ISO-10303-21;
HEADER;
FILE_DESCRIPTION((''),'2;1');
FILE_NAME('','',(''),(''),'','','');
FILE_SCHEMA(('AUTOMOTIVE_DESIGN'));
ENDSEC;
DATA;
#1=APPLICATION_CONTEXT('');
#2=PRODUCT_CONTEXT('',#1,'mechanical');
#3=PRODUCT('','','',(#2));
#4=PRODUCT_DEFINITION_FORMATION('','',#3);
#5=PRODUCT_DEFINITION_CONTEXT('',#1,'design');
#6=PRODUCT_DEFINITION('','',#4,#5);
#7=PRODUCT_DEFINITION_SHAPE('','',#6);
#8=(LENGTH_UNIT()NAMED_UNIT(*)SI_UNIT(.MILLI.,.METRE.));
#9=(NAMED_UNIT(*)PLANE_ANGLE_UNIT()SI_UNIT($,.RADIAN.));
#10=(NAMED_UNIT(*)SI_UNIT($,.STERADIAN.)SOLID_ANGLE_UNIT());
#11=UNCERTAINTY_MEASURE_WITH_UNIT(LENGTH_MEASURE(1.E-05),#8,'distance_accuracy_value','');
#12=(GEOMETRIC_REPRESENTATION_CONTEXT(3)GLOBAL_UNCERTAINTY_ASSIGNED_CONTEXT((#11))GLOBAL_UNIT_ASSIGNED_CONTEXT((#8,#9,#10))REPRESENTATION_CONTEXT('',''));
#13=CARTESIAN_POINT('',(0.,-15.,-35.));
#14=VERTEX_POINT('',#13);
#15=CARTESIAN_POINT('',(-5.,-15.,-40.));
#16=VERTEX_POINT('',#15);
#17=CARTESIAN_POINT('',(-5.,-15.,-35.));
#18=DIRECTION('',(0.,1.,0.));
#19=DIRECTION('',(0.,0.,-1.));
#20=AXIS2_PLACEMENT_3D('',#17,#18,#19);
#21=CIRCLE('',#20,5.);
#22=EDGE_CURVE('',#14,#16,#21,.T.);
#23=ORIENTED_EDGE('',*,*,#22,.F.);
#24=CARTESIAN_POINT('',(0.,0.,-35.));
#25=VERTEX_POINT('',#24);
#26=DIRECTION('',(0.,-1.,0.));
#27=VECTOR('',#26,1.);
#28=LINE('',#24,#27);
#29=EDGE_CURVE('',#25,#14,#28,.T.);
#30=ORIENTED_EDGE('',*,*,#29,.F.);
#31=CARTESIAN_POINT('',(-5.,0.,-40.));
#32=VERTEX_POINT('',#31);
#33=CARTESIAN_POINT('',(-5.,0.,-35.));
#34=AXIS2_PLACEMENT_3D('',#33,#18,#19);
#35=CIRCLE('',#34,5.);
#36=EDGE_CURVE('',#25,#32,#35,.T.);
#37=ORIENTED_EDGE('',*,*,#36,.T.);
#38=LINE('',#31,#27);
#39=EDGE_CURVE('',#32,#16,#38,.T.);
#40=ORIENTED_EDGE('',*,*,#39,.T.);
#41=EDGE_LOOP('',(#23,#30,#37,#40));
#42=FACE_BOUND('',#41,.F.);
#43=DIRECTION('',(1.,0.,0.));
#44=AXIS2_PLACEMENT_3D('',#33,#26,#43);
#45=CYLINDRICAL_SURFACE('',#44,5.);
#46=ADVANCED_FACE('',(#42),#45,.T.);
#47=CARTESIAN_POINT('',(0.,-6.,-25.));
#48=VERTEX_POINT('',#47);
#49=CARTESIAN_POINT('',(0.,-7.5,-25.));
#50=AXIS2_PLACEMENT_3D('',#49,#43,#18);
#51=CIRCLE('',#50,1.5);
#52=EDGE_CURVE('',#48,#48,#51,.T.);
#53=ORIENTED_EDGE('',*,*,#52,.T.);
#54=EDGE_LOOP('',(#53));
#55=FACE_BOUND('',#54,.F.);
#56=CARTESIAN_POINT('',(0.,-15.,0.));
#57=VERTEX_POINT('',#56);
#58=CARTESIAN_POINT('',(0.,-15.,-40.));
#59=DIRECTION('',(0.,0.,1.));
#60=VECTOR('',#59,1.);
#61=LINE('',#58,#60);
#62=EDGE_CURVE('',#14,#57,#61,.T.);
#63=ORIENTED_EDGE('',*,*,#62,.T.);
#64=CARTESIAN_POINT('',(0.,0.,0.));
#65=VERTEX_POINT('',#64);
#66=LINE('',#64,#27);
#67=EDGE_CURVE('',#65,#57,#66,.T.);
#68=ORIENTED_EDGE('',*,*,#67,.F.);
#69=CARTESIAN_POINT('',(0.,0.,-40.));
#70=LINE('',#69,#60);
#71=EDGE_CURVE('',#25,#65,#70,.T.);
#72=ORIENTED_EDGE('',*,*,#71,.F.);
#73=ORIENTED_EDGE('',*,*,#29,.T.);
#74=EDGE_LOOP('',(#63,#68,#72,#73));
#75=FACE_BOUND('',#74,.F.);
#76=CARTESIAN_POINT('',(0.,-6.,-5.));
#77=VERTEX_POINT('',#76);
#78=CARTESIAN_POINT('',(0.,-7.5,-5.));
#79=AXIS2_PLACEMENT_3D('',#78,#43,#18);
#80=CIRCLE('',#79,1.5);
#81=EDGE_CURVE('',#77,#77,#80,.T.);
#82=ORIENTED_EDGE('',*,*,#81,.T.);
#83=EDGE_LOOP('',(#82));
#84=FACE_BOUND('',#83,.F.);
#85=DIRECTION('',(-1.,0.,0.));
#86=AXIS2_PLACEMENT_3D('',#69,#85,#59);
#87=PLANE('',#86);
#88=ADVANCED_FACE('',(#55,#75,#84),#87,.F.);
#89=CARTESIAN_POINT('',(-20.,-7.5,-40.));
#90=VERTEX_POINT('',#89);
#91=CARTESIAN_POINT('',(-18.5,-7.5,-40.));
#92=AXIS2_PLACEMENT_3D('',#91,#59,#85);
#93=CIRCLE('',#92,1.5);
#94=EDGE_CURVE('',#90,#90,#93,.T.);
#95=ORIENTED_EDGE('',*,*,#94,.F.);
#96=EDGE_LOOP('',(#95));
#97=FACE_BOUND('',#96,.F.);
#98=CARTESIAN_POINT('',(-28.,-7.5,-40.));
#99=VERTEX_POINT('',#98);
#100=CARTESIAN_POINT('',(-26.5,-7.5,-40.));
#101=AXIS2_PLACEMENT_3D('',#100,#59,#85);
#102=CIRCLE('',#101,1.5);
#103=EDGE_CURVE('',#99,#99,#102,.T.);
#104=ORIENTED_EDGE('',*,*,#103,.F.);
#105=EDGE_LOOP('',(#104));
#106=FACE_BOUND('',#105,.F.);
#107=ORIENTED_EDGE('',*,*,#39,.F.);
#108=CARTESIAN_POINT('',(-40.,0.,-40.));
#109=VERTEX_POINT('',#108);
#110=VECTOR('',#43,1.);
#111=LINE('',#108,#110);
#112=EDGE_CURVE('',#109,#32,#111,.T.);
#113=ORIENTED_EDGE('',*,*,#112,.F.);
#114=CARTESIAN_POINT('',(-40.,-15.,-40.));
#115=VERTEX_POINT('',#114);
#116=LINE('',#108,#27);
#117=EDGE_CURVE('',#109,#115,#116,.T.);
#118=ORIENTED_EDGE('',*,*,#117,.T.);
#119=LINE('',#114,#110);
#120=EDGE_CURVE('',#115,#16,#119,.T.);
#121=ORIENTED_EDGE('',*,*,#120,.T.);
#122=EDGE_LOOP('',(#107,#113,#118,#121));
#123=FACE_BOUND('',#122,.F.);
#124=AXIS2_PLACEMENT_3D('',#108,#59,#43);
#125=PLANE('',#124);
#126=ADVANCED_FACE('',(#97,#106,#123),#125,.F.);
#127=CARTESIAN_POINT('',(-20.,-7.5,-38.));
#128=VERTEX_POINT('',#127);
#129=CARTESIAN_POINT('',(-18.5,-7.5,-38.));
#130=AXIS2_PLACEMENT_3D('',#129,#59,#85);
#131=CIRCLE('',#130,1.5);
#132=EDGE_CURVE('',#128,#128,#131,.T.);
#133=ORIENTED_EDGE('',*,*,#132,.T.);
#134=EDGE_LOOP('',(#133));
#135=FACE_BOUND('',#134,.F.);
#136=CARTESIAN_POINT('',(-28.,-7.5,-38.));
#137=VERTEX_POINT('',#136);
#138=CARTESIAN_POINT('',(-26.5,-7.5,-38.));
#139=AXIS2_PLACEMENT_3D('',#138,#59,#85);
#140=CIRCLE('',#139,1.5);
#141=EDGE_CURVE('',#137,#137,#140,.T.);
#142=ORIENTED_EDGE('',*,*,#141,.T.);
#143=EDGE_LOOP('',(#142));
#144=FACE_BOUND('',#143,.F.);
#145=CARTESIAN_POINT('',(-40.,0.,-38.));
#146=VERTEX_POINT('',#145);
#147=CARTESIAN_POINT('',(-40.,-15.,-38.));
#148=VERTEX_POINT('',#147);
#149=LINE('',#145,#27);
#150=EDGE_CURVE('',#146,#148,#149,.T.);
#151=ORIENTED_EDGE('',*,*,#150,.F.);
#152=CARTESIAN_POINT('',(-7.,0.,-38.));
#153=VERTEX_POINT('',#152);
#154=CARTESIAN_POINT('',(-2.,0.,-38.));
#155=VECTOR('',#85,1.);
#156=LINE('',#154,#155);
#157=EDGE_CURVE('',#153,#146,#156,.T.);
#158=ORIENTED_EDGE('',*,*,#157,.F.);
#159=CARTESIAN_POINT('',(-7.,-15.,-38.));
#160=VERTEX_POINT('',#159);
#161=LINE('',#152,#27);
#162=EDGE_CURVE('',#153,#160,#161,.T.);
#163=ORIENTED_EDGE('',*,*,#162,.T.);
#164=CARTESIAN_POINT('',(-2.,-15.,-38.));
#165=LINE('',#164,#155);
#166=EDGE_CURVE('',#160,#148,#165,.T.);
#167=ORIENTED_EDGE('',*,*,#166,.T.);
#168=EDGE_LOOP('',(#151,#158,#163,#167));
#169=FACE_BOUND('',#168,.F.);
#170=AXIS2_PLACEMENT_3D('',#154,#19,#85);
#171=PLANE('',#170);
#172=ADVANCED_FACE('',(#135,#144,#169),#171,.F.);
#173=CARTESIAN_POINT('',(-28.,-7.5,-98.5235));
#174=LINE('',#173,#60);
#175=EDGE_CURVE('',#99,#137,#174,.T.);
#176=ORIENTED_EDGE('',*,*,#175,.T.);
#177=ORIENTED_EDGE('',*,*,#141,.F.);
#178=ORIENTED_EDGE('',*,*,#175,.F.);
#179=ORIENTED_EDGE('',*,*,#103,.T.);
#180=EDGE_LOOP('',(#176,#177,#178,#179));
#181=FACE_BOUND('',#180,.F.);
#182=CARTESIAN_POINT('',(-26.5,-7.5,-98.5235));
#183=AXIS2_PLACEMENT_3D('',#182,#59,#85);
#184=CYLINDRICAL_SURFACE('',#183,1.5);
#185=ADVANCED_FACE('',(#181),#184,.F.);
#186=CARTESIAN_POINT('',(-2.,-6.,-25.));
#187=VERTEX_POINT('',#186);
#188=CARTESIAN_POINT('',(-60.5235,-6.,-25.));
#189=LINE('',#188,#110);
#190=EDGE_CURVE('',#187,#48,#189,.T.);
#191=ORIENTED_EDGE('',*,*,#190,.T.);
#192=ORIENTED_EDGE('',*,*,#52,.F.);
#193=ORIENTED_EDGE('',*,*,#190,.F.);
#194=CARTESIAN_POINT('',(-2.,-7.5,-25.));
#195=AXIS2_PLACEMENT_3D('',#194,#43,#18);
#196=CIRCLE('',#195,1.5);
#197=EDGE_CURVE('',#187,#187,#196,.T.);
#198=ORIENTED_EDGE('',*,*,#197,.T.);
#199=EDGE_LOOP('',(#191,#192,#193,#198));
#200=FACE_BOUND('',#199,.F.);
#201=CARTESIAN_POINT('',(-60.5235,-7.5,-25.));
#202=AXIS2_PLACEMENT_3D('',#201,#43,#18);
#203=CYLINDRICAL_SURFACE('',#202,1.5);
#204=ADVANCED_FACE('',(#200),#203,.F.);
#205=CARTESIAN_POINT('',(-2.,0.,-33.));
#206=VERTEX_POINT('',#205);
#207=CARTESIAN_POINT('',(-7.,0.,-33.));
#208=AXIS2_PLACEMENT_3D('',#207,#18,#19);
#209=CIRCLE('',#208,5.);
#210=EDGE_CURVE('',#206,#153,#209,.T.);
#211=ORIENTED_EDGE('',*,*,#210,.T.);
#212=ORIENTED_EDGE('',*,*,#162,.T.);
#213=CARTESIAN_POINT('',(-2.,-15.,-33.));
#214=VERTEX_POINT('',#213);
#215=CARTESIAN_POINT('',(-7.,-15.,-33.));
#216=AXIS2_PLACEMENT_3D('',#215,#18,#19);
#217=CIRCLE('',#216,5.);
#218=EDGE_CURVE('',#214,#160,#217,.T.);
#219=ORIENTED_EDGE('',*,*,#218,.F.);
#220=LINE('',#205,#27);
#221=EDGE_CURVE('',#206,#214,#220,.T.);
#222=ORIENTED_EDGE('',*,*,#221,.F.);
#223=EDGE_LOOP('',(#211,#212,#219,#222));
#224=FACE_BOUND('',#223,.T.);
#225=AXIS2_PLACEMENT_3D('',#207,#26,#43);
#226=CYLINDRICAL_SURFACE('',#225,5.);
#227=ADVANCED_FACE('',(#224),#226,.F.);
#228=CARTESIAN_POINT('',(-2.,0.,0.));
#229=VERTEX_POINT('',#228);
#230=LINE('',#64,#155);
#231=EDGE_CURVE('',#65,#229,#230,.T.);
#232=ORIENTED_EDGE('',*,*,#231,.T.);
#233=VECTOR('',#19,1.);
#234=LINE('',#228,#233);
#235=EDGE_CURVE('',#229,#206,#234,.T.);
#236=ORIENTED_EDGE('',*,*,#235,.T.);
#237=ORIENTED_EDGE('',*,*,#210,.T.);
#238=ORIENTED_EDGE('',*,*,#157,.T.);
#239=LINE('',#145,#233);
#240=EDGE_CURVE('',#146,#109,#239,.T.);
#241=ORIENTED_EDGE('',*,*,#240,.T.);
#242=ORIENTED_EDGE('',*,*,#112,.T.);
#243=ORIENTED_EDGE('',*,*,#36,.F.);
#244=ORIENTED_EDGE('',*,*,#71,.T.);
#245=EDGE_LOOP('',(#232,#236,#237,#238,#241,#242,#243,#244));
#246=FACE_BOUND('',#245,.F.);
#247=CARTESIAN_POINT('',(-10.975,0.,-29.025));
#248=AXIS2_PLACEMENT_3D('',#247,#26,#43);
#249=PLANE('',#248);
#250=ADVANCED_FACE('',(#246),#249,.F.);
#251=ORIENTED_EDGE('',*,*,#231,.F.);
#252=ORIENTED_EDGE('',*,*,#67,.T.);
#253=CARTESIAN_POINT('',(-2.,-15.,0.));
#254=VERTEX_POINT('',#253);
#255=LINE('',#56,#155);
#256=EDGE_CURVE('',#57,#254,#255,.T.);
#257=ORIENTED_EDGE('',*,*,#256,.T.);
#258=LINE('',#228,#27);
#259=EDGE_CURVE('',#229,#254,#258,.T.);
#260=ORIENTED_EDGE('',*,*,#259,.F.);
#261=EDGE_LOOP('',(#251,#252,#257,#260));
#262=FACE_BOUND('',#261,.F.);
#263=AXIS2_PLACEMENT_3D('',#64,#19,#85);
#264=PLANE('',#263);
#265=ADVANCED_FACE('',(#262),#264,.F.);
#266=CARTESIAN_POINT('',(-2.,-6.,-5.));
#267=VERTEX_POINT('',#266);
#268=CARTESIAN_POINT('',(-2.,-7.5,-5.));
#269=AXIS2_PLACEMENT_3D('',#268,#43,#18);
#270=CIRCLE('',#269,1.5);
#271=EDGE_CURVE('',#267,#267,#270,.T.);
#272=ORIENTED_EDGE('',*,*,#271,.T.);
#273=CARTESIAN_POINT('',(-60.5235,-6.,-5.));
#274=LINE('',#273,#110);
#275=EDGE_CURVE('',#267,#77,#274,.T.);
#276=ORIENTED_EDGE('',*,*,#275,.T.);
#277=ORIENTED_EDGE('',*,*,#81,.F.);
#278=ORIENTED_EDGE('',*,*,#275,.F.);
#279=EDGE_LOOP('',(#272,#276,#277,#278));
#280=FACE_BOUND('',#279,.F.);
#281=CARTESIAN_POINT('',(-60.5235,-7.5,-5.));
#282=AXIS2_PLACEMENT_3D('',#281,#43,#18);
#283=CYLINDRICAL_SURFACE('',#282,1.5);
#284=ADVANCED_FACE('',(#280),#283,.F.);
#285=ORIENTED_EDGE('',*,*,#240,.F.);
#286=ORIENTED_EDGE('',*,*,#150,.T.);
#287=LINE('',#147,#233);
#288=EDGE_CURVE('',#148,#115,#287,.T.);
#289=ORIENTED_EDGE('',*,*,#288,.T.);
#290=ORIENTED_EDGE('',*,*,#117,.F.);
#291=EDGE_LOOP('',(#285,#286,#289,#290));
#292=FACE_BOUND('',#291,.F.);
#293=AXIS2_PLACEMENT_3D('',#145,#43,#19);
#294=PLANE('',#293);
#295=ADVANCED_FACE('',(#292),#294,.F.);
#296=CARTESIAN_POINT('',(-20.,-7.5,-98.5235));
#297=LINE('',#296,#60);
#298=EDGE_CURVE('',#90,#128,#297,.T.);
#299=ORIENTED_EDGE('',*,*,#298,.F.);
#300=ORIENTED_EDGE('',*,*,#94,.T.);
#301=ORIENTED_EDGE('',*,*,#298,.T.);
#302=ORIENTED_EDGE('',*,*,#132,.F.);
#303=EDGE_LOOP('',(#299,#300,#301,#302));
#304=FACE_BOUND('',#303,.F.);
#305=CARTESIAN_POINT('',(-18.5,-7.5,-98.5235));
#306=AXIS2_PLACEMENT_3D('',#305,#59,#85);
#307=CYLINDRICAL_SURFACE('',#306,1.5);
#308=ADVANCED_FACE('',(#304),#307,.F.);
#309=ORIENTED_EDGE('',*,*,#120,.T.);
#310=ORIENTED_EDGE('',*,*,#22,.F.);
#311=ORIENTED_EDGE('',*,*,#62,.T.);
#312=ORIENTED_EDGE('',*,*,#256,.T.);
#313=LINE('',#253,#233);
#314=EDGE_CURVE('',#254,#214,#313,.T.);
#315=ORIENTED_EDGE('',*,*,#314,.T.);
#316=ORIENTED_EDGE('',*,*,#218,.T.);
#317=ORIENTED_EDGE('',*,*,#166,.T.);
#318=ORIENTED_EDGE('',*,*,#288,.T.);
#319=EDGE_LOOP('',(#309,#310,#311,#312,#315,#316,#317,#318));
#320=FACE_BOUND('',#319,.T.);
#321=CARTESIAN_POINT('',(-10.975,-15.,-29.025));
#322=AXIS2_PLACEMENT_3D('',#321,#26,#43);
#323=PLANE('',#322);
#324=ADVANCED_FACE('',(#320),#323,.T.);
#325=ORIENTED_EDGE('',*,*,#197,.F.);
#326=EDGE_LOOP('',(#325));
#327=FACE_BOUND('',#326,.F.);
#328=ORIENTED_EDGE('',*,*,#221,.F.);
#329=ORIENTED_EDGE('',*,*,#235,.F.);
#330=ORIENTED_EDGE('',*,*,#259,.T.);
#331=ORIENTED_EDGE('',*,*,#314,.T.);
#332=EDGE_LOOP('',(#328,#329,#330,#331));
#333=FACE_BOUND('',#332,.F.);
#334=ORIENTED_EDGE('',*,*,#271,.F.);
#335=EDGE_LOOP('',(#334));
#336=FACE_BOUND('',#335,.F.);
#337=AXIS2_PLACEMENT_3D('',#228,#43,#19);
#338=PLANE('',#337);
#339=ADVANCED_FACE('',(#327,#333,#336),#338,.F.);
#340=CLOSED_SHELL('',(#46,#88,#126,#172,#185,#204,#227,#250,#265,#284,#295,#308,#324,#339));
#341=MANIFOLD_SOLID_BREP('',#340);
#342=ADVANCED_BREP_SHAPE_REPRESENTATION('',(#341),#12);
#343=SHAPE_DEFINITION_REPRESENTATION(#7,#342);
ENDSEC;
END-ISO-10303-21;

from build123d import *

# Parameters (mm, degrees)
F1_DEPTH = 15
F2_R     = 5
F4_D     = 3
F6_D     = 3


with BuildPart() as f1:
    # F0 (on Front) → F1 (new body)
    with BuildSketch(Plane.XZ):
        Polygon((0, -40), (0, 0), (-2, 0), (-2, -38), (-40, -38), (-40, -40), align=None)
    extrude(amount=F1_DEPTH)

    # F2
    f2_edges = [f1.edges().sort_by_distance(p)[0] for p in [
        (0, -7.5, -40),
        (-2, -7.5, -38),
    ]]
    fillet(f2_edges, radius=F2_R)

    # F4 (through all)
    with Locations(Plane(origin=(-2, 0, 0), x_dir=(0, -1, 0), z_dir=(-1, 0, 0))):
        with Locations((7.5, -5), (7.5, -25)):
            Hole(F4_D / 2)

    # F6 (through all)
    with Locations(Plane(origin=(0, 0, -40), x_dir=(1, 0, 0), z_dir=(0, 0, -1))):
        with Locations((-26.5, 7.5), (-18.5, 7.5)):
            Hole(F6_D / 2)


solid = f1.part
